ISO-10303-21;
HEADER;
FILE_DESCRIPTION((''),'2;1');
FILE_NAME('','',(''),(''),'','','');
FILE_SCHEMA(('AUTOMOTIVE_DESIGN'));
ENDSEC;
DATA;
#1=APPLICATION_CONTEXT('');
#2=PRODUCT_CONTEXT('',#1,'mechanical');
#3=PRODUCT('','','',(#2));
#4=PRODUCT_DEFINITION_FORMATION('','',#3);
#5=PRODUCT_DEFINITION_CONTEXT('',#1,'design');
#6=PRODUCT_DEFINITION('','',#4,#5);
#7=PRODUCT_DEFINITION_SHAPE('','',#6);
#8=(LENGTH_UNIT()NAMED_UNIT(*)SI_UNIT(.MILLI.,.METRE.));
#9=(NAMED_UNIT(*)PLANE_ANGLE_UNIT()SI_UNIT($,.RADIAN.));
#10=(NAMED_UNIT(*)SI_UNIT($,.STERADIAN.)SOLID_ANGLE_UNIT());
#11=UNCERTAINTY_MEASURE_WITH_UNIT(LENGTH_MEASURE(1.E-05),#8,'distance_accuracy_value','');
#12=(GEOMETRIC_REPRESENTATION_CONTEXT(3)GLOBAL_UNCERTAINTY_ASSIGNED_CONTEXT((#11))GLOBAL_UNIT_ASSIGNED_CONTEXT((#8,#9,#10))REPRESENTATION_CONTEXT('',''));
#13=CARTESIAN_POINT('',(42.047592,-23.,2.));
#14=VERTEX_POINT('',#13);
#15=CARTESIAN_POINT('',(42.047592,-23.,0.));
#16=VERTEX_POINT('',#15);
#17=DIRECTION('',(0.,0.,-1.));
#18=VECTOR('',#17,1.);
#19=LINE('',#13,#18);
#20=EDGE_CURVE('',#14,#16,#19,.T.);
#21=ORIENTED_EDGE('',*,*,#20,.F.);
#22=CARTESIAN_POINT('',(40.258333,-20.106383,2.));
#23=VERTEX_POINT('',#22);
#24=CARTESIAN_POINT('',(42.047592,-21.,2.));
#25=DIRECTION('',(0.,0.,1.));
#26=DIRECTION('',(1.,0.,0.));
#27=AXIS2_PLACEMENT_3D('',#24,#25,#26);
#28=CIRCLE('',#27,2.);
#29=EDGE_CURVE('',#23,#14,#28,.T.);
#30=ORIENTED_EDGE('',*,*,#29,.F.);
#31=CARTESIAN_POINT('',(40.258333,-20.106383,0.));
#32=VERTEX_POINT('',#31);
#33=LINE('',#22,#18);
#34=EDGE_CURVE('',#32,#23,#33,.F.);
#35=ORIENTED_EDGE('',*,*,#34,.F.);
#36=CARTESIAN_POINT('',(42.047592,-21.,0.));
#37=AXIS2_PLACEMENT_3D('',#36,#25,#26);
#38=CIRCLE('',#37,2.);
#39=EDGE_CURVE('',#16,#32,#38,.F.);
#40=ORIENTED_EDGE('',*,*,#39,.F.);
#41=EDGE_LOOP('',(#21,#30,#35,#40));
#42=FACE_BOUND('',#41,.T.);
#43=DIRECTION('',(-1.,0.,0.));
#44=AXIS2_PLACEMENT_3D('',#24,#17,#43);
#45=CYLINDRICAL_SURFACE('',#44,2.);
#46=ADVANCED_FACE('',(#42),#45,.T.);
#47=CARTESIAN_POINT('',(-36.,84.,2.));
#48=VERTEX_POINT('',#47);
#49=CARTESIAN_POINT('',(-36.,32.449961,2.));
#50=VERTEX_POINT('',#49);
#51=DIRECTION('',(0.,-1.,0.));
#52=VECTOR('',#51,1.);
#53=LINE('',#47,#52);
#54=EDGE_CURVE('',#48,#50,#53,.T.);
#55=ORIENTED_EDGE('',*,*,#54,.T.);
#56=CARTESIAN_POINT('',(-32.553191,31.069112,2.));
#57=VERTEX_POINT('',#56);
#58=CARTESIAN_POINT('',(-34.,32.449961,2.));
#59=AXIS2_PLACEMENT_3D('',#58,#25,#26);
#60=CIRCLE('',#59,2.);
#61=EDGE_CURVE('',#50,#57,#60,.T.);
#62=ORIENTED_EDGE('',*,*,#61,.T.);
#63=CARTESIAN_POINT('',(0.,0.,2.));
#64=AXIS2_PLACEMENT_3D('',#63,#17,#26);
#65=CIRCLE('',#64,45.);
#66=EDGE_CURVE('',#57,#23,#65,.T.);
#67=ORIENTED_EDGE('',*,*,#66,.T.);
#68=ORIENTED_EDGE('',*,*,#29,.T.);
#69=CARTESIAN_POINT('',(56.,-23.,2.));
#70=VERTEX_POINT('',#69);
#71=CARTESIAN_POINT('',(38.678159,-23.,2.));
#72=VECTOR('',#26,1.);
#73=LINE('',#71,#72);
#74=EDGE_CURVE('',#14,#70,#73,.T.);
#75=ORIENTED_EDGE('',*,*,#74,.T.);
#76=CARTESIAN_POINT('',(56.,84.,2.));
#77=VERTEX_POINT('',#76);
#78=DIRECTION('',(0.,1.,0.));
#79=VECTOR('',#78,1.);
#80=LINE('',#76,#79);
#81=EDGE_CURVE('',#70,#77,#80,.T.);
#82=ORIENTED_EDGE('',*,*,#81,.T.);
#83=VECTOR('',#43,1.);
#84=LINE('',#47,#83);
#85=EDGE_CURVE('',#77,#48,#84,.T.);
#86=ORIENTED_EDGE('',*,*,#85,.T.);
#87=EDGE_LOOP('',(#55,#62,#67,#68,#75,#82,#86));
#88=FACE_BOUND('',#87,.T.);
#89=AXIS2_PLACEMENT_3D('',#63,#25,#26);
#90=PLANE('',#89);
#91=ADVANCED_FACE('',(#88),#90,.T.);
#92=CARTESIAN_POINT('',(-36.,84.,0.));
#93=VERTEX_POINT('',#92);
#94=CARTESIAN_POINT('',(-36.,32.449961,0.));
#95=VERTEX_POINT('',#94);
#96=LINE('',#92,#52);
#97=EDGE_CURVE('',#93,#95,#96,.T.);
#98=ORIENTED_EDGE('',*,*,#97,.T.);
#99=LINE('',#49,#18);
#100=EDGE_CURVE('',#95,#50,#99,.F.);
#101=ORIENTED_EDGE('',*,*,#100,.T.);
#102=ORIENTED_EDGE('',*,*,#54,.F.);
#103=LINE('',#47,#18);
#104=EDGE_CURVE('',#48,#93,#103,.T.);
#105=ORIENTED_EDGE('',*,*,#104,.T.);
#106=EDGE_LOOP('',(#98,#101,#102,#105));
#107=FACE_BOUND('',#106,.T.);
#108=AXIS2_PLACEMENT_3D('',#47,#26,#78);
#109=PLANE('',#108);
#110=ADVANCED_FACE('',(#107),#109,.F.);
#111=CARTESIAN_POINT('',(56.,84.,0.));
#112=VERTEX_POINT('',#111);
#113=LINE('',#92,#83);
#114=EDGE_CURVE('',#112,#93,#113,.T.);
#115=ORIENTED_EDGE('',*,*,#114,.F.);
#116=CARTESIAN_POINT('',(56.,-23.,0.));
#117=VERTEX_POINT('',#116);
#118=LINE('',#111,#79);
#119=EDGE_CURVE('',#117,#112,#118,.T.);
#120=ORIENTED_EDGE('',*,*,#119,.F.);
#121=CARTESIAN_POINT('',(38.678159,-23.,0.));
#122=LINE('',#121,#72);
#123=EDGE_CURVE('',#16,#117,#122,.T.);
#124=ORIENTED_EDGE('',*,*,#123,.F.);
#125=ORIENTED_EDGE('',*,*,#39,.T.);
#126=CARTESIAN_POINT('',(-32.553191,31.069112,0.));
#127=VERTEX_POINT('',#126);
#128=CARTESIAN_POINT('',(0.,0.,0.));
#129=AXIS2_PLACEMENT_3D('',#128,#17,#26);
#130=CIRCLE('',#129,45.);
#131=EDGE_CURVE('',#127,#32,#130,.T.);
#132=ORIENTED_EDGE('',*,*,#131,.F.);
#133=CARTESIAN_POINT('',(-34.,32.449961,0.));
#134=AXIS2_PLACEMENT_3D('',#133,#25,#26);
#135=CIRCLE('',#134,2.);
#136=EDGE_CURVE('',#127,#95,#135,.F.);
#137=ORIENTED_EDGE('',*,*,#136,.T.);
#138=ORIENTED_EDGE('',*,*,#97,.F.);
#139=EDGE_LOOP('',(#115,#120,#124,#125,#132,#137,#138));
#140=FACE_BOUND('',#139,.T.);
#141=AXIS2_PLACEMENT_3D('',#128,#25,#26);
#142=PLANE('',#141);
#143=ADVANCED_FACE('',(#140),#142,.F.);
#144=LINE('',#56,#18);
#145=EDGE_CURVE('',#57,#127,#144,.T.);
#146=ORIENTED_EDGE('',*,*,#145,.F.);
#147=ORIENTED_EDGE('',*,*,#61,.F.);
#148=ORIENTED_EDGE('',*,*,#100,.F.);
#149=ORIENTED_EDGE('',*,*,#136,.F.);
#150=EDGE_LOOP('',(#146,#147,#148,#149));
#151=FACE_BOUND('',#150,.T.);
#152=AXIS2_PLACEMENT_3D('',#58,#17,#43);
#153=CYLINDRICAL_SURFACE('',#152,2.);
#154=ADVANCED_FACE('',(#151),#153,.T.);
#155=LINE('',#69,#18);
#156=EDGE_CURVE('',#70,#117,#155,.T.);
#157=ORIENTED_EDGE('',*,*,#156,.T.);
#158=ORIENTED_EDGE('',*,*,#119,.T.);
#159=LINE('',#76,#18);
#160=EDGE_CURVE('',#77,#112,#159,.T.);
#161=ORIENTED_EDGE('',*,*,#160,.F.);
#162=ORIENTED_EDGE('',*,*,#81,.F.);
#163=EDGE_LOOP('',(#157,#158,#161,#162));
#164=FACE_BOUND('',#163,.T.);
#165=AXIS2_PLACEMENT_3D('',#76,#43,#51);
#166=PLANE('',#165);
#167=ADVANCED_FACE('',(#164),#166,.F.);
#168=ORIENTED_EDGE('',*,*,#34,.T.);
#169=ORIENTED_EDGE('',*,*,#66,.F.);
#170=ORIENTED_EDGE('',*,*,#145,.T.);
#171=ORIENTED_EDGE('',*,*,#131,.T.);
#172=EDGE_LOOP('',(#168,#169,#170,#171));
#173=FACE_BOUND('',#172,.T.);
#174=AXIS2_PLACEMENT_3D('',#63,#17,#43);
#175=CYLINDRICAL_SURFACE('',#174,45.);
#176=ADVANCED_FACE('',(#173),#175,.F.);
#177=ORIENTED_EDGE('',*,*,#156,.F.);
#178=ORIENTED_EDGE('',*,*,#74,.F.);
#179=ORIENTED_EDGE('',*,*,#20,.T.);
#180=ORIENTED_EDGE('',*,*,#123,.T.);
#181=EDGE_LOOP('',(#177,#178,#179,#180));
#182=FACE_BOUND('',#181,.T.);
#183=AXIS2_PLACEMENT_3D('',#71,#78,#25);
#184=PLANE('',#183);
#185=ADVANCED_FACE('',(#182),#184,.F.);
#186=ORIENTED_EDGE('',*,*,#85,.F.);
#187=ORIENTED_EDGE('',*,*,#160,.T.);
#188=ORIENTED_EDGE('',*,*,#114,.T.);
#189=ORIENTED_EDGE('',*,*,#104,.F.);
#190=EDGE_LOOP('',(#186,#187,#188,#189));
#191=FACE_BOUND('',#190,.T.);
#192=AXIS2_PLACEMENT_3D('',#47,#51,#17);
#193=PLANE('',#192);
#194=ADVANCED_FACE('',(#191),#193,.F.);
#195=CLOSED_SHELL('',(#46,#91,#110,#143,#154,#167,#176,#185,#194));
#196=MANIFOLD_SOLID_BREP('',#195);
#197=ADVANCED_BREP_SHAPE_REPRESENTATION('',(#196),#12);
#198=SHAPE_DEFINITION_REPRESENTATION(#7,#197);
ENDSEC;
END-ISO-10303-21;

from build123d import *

# Parameters (mm, degrees)
BOSS_EXTRU_1_DEPTH = 2
CONG_1_R           = 2


with BuildPart() as part:
    # Esquisse1 → Boss.-Extru.1 (new body)
    with BuildSketch(Plane.XY):
        with BuildLine():
            Line((-36, 84), (56, 84))
            Line((56, 84), (56, -23))
            Line((56, -23), (38.678159212, -23))
            ThreePointArc((38.678159212, -23), (25.035836998, 37.392604427), (-36, 27))
            Line((-36, 27), (-36, 84))
        make_face()
    extrude(amount=BOSS_EXTRU_1_DEPTH)

    # Congé1
    cong_1_edges = [part.edges().sort_by_distance(p)[0] for p in [
        (38.678159212, -23, 1),
        (-36, 27, 1),
    ]]
    fillet(cong_1_edges, radius=CONG_1_R)


solid = part.part
